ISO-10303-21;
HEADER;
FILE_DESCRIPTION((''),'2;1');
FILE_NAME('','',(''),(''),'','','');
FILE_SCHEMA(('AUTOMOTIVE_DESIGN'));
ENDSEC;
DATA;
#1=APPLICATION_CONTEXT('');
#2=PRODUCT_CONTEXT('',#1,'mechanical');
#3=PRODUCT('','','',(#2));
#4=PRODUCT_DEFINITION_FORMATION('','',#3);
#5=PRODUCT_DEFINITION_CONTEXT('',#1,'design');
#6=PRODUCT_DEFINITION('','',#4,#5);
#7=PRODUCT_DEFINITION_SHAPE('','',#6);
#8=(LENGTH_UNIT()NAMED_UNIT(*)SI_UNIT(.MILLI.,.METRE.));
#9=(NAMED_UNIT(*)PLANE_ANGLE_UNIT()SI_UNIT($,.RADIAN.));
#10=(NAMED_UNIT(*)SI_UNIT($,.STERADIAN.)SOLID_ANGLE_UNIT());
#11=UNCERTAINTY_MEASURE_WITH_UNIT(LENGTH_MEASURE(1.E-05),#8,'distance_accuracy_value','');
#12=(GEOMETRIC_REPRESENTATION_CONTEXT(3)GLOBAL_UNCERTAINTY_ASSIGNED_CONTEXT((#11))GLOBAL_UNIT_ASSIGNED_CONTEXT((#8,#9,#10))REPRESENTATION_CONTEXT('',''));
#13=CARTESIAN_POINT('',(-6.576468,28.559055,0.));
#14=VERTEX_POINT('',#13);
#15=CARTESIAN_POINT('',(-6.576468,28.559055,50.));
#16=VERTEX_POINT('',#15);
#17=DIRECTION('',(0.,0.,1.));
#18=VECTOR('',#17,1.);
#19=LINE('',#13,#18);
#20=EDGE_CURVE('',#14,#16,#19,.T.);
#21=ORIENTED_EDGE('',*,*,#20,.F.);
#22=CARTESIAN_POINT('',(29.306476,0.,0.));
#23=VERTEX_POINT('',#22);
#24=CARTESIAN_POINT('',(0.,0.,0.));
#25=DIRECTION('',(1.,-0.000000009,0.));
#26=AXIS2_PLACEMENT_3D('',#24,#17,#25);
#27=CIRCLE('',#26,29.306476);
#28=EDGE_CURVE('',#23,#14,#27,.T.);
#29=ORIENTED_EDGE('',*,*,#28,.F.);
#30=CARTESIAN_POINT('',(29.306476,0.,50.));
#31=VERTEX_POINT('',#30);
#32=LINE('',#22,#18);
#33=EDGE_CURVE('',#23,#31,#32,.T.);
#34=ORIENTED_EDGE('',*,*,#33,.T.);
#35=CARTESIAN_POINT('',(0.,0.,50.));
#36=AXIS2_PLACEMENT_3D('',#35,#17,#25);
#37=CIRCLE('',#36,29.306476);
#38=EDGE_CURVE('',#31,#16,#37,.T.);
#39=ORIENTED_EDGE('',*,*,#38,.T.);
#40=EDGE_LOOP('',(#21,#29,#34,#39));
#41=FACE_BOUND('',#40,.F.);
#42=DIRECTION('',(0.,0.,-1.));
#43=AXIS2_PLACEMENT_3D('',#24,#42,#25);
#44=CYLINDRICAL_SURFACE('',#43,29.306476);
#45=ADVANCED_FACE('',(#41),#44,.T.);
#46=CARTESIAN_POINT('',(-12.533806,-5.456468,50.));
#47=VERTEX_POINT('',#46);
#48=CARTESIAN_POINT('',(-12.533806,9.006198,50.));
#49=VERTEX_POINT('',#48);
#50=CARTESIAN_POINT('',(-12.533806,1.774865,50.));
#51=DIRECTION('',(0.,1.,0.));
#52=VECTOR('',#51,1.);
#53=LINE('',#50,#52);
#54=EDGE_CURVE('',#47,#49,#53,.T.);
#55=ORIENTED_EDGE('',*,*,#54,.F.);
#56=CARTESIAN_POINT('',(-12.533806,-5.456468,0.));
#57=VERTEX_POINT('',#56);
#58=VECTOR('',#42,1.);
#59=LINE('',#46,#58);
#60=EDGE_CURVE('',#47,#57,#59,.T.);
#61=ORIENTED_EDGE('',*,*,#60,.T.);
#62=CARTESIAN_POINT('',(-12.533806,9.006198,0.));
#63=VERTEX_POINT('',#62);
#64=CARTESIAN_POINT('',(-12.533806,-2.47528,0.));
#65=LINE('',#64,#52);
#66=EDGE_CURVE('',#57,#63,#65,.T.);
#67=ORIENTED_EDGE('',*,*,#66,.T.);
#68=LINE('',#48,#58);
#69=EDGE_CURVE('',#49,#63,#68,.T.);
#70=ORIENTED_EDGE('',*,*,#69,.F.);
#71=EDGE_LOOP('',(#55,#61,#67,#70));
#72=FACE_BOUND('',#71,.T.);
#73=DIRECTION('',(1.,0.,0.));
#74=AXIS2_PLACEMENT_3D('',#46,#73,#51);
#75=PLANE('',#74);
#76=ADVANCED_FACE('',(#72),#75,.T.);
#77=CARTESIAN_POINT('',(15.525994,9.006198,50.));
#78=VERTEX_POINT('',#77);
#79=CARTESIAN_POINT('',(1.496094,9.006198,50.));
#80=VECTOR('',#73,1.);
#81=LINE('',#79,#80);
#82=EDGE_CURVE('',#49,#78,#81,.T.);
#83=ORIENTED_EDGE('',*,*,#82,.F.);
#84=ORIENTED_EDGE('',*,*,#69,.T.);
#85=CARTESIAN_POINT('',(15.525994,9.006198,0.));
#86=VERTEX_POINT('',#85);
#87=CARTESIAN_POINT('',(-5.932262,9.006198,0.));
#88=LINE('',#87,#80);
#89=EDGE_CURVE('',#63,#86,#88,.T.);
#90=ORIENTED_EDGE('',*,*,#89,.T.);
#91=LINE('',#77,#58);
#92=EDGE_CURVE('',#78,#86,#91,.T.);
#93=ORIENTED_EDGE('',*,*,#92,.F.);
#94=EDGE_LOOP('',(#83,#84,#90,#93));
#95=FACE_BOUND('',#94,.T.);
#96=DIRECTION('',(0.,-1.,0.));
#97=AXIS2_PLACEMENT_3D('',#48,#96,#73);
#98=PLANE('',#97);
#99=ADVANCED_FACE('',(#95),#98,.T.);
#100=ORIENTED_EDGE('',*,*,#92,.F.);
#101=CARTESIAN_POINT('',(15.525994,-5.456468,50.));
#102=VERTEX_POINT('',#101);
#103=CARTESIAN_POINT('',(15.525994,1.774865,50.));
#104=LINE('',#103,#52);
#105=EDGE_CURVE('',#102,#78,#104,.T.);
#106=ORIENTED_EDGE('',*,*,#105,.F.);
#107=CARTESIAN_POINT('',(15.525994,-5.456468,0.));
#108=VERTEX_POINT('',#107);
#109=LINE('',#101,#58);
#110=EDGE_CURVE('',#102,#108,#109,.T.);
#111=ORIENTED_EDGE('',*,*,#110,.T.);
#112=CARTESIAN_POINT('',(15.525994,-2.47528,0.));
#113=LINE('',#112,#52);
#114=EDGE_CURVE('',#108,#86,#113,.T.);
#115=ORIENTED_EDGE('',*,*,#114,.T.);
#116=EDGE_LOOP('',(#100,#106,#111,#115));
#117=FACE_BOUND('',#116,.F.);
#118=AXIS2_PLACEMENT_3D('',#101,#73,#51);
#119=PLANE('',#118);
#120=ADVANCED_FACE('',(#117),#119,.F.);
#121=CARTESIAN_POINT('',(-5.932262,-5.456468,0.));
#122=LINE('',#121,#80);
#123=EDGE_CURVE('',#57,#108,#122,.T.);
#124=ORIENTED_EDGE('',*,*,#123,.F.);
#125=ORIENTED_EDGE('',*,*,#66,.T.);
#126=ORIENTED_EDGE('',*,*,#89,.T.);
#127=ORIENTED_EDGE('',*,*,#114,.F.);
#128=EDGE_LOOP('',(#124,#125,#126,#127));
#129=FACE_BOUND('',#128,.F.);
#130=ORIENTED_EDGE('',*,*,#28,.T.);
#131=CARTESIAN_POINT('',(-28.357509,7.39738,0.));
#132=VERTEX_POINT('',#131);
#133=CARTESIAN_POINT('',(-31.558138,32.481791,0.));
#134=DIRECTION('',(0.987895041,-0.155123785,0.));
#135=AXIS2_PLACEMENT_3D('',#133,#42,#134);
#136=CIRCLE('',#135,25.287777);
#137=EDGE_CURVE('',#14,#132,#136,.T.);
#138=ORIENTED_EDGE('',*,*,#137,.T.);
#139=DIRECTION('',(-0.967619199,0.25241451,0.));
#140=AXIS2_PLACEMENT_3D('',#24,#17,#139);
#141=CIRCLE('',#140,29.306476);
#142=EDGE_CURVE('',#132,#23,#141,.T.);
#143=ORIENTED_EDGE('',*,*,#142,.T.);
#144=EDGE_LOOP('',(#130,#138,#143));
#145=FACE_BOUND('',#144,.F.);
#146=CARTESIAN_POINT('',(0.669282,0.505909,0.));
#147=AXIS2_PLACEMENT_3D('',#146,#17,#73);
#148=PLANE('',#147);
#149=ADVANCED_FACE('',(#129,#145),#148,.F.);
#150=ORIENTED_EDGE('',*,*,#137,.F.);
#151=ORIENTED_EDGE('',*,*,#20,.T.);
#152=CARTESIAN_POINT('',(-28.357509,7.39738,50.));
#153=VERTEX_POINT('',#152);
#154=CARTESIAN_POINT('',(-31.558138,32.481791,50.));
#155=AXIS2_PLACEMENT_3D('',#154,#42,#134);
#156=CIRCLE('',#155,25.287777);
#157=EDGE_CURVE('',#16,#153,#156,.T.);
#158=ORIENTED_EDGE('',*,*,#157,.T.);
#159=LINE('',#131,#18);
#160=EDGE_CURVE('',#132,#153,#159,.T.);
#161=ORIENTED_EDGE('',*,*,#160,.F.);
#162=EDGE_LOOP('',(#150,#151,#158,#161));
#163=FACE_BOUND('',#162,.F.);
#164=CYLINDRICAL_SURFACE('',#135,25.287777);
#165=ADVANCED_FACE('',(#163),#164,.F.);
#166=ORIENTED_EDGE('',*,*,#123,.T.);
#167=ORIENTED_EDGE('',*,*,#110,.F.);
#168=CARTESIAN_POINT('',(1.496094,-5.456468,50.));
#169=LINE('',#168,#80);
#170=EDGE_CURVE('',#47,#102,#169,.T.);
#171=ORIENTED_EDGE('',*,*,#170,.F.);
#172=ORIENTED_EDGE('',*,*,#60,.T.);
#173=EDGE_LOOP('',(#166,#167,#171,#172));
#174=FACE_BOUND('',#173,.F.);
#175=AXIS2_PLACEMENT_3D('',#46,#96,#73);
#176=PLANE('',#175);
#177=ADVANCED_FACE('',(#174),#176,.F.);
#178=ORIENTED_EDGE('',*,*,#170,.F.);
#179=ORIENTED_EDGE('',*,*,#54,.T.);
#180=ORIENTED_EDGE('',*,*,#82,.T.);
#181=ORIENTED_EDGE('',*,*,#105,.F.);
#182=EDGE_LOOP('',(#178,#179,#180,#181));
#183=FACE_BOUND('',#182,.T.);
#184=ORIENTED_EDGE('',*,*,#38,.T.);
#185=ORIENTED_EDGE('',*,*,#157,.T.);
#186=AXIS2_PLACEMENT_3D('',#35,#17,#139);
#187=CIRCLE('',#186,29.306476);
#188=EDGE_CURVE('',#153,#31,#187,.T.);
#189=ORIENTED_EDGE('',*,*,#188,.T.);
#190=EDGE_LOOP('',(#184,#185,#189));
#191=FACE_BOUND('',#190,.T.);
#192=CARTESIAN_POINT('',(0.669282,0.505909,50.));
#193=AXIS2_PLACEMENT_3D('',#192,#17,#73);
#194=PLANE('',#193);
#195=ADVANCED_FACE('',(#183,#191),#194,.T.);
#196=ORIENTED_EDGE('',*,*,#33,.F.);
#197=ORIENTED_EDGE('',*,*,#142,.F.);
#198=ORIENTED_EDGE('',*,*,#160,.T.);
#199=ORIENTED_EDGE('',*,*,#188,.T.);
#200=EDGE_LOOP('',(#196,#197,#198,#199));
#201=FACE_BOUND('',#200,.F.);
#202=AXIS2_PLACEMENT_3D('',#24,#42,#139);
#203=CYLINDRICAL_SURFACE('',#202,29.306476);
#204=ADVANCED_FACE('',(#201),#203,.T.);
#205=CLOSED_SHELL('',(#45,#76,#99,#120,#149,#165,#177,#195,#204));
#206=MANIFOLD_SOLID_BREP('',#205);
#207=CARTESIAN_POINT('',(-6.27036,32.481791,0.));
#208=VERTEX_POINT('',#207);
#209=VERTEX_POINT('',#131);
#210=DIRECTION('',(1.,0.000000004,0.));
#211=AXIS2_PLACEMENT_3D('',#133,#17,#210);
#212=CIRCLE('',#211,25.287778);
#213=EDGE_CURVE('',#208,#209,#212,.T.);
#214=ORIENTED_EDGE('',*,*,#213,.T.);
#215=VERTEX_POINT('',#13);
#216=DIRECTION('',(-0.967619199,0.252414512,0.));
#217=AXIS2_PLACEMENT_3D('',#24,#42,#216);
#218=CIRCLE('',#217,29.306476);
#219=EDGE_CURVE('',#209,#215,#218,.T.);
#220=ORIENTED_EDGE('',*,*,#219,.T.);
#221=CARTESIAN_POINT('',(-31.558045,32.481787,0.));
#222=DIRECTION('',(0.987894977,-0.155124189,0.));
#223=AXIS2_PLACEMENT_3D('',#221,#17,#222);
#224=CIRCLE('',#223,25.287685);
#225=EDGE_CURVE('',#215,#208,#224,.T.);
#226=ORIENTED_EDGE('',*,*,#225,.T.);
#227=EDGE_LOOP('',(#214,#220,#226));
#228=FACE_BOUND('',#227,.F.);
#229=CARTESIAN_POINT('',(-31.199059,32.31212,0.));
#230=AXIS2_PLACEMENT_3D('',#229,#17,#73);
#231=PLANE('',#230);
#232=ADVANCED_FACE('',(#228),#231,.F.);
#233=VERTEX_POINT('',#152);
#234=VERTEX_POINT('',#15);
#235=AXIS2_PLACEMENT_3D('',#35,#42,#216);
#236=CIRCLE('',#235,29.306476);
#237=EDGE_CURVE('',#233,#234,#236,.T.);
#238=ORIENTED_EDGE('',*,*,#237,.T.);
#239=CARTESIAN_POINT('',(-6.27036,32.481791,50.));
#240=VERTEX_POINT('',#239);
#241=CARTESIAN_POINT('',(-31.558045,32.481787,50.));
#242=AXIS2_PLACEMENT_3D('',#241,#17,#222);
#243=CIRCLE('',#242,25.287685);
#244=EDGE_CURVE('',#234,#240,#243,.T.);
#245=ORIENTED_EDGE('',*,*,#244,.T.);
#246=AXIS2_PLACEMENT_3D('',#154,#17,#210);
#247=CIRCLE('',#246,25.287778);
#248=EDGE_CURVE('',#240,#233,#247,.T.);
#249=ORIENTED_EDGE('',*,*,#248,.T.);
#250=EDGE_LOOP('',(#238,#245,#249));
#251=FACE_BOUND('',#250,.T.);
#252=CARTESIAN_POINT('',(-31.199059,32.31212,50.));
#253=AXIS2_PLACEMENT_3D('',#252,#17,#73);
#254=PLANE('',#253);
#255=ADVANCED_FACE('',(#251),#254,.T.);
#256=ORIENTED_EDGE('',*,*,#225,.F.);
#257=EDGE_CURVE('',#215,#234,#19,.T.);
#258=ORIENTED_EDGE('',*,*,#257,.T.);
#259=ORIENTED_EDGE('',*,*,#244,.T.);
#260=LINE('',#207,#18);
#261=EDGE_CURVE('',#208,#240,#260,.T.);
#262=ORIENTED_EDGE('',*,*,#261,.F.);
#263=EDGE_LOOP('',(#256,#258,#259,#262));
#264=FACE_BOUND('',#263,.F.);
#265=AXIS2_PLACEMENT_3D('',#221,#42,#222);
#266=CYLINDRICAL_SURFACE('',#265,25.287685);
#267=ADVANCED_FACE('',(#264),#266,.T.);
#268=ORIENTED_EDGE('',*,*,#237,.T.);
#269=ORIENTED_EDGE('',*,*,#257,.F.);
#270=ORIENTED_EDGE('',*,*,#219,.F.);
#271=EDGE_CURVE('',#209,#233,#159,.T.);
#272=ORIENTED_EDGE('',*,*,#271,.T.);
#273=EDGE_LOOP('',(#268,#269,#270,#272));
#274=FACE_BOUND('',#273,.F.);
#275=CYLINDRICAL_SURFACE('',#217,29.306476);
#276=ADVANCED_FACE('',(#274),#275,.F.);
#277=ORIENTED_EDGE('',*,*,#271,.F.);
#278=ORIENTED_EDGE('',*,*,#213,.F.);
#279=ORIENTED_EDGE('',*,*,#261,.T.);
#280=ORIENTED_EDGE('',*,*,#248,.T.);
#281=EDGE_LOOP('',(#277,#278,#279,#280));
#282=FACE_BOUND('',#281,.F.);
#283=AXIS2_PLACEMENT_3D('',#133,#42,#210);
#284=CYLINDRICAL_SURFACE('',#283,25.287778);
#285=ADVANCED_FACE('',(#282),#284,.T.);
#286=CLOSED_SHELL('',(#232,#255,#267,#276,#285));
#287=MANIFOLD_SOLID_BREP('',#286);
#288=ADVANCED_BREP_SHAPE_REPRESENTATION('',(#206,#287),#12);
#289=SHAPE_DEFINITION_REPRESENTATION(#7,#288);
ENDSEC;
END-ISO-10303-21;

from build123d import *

# Parameters (mm, degrees)
F1_DEPTH = 50
F2_W     = 28.0598
F2_H     = 14.462667
F3_DEPTH = 77


with BuildPart() as f1:
    # F0 (on Top) → F1 (new body)
    with BuildSketch(Plane.XY):
        with BuildLine():
            ThreePointArc((-28.357509, 7.39738), (-20.421797, 21.019509), (-6.576468, 28.559055))
            ThreePointArc((-6.576468, 28.559055), (-6.347003, 30.51446), (-6.27036, 32.481791))
            ThreePointArc((-6.27036, 32.481791), (-50.537185, 49.193088), (-28.357509, 7.39738))
        make_face()
        with BuildLine():
            ThreePointArc((-28.357509, 7.39738), (-3.729, -29.068266), (29.306476, 0))
            ThreePointArc((29.306476, 0), (18.250157, 22.930358), (-6.576468, 28.559055))
            ThreePointArc((-6.576468, 28.559055), (-13.936713, 14.344617), (-28.357509, 7.39738))
        make_face()
    extrude(amount=F1_DEPTH)

    # F2 (on face) → F3 (cut)
    with BuildSketch(Plane.XY.offset(50)):
        with Locations((1.496094, 1.774865)):
            Rectangle(F2_W, F2_H)
    extrude(amount=-F3_DEPTH, mode=Mode.SUBTRACT)


solid = f1.part
